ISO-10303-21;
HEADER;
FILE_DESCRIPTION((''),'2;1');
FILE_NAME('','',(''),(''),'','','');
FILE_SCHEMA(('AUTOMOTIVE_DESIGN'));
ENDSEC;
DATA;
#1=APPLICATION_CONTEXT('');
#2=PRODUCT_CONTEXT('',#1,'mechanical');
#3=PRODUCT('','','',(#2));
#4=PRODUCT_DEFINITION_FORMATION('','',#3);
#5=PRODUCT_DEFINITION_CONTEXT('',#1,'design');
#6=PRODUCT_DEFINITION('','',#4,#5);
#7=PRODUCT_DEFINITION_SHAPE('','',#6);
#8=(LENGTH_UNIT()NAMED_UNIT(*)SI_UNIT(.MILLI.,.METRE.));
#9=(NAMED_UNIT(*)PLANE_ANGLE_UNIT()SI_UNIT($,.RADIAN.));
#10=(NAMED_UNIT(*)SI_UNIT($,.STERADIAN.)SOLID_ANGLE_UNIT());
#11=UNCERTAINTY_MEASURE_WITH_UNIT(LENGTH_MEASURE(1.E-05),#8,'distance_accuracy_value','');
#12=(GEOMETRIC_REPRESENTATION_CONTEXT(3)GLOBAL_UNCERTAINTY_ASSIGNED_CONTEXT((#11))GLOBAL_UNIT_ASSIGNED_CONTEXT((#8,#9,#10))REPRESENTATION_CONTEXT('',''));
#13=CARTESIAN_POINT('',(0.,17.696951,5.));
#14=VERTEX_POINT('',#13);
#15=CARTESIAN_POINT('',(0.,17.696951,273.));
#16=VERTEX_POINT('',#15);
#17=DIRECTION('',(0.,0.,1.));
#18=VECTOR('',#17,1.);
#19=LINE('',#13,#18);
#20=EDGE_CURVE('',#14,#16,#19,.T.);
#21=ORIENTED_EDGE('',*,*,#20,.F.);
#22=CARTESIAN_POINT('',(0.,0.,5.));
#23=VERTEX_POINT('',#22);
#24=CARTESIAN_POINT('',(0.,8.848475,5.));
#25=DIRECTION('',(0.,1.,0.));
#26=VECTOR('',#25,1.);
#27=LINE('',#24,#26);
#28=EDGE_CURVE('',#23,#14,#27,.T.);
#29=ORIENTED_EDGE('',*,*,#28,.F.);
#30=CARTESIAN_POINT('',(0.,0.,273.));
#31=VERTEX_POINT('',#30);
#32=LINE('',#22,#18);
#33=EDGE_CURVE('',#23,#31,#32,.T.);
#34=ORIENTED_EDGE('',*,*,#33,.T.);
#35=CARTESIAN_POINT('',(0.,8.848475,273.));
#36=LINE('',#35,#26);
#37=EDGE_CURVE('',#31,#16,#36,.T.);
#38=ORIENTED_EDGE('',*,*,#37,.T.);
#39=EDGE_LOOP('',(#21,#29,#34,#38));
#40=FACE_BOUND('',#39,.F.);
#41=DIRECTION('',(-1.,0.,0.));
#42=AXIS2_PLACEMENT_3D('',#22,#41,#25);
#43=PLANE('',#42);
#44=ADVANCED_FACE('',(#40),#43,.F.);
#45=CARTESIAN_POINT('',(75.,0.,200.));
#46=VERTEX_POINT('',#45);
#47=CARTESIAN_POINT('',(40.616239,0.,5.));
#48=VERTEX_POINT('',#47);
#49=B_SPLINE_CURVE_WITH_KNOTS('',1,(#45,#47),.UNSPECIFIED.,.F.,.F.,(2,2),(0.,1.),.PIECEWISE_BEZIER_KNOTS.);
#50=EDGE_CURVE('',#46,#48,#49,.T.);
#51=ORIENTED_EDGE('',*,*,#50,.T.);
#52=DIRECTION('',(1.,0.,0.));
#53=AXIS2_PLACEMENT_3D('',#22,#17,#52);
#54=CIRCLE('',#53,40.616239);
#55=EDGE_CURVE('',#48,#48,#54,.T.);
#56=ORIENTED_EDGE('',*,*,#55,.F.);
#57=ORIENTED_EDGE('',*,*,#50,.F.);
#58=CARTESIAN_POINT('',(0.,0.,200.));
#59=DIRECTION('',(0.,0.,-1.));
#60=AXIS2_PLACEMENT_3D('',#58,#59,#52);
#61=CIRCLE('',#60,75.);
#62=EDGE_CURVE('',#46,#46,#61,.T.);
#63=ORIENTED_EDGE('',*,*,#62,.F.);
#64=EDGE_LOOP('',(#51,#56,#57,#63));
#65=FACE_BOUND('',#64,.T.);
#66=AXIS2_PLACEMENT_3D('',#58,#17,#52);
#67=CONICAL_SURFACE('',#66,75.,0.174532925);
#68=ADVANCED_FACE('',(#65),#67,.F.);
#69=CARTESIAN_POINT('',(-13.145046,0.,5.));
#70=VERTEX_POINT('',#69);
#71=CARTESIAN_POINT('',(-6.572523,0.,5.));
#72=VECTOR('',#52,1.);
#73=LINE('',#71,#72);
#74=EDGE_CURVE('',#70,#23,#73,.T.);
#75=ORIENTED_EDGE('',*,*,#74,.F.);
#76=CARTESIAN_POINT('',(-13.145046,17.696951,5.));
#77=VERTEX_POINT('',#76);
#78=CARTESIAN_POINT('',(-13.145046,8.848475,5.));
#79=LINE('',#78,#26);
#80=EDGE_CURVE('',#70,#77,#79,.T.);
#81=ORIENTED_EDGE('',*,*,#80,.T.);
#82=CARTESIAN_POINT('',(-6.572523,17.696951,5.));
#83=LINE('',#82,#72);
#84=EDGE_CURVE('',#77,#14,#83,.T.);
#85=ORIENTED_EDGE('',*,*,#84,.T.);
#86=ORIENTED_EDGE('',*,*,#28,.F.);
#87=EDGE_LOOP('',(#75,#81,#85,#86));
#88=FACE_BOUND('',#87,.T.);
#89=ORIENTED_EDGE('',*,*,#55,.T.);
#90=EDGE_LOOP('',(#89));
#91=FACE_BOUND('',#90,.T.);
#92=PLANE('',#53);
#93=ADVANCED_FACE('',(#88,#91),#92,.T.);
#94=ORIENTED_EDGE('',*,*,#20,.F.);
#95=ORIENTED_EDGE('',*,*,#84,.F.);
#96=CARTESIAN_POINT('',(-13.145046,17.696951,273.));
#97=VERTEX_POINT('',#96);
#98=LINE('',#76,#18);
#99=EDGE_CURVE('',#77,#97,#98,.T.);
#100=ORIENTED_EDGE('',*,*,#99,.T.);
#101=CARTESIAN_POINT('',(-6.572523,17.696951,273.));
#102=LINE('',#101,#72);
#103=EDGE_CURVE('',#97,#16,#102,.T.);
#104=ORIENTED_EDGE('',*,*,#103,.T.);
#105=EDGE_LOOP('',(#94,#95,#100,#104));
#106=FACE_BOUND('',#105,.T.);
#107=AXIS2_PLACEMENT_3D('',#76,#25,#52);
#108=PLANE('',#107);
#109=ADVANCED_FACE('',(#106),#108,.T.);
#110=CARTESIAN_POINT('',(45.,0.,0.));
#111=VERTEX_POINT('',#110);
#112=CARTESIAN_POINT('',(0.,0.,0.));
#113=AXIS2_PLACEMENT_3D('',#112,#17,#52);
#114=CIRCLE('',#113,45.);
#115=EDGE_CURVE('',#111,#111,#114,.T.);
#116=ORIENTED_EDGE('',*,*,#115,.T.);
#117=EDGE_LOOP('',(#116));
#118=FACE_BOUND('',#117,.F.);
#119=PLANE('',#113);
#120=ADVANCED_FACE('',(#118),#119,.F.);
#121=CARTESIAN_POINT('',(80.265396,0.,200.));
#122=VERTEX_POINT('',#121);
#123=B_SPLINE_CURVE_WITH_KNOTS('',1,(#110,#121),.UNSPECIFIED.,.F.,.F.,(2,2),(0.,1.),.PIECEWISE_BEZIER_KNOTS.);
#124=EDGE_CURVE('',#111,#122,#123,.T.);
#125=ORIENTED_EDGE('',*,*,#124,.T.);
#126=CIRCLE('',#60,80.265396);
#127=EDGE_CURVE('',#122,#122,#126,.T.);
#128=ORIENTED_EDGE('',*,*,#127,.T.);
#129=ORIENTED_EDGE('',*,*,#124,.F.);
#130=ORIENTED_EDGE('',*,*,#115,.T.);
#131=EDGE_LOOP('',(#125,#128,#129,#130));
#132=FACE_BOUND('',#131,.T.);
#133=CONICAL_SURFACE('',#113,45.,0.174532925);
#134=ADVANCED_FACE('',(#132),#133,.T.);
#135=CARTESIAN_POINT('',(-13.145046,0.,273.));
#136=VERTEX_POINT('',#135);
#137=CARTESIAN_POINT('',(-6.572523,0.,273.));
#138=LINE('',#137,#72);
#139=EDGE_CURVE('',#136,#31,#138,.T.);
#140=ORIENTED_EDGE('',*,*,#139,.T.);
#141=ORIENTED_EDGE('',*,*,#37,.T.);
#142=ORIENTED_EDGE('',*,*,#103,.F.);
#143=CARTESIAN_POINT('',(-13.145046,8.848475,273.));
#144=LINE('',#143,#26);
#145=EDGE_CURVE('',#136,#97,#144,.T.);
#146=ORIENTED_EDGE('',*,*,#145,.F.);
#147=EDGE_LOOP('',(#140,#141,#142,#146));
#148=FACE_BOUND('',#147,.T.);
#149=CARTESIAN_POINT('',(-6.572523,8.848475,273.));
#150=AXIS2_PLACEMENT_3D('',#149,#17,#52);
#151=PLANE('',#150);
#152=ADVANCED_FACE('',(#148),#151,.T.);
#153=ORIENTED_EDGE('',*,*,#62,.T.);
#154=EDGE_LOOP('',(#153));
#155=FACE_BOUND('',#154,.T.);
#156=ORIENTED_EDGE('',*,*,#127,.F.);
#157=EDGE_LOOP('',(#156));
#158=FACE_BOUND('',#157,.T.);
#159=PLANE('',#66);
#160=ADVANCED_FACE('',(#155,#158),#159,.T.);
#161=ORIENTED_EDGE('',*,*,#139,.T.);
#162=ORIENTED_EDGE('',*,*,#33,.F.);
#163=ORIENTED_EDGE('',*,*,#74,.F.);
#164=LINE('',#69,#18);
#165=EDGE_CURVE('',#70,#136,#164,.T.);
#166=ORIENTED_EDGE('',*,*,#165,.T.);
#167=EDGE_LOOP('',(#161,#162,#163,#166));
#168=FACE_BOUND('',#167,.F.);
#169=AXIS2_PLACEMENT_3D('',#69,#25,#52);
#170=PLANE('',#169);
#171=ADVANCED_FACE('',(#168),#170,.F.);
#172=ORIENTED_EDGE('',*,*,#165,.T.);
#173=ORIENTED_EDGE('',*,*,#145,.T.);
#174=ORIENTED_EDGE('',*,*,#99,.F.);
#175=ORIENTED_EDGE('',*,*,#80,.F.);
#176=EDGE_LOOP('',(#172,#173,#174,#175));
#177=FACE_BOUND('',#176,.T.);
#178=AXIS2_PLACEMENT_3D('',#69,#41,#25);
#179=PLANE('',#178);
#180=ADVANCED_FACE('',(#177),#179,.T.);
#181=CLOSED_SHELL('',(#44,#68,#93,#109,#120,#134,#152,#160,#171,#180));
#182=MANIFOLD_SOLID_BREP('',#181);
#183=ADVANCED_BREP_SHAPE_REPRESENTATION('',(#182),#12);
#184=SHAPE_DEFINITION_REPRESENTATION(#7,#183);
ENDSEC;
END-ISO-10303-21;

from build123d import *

# Parameters (mm, degrees)
F0_R     = 45
F1_DEPTH = 200
F1_TAPER = -10
F2_R     = 75
F3_DEPTH = 195
F3_TAPER = 10
F5_W     = 13.1450463086
F5_H     = 17.6969505847
F6_DEPTH = 268


with BuildPart() as f1:
    # F0 (on Top) → F1 (new body)
    with BuildSketch(Plane.XY):
        Circle(F0_R)
    extrude(amount=F1_DEPTH, taper=F1_TAPER)

    # F2 (on face) → F3 (cut)
    with BuildSketch(Plane.XY.offset(200)):
        Circle(F2_R)
    extrude(amount=-F3_DEPTH, taper=F3_TAPER, mode=Mode.SUBTRACT)

    # F5 (on offset) → F6 (join)
    with BuildSketch(Plane.XY.offset(5)):
        with Locations((-6.5725231543, 8.8484752923)):
            Rectangle(F5_W, F5_H)
    extrude(amount=F6_DEPTH)


solid = f1.part
